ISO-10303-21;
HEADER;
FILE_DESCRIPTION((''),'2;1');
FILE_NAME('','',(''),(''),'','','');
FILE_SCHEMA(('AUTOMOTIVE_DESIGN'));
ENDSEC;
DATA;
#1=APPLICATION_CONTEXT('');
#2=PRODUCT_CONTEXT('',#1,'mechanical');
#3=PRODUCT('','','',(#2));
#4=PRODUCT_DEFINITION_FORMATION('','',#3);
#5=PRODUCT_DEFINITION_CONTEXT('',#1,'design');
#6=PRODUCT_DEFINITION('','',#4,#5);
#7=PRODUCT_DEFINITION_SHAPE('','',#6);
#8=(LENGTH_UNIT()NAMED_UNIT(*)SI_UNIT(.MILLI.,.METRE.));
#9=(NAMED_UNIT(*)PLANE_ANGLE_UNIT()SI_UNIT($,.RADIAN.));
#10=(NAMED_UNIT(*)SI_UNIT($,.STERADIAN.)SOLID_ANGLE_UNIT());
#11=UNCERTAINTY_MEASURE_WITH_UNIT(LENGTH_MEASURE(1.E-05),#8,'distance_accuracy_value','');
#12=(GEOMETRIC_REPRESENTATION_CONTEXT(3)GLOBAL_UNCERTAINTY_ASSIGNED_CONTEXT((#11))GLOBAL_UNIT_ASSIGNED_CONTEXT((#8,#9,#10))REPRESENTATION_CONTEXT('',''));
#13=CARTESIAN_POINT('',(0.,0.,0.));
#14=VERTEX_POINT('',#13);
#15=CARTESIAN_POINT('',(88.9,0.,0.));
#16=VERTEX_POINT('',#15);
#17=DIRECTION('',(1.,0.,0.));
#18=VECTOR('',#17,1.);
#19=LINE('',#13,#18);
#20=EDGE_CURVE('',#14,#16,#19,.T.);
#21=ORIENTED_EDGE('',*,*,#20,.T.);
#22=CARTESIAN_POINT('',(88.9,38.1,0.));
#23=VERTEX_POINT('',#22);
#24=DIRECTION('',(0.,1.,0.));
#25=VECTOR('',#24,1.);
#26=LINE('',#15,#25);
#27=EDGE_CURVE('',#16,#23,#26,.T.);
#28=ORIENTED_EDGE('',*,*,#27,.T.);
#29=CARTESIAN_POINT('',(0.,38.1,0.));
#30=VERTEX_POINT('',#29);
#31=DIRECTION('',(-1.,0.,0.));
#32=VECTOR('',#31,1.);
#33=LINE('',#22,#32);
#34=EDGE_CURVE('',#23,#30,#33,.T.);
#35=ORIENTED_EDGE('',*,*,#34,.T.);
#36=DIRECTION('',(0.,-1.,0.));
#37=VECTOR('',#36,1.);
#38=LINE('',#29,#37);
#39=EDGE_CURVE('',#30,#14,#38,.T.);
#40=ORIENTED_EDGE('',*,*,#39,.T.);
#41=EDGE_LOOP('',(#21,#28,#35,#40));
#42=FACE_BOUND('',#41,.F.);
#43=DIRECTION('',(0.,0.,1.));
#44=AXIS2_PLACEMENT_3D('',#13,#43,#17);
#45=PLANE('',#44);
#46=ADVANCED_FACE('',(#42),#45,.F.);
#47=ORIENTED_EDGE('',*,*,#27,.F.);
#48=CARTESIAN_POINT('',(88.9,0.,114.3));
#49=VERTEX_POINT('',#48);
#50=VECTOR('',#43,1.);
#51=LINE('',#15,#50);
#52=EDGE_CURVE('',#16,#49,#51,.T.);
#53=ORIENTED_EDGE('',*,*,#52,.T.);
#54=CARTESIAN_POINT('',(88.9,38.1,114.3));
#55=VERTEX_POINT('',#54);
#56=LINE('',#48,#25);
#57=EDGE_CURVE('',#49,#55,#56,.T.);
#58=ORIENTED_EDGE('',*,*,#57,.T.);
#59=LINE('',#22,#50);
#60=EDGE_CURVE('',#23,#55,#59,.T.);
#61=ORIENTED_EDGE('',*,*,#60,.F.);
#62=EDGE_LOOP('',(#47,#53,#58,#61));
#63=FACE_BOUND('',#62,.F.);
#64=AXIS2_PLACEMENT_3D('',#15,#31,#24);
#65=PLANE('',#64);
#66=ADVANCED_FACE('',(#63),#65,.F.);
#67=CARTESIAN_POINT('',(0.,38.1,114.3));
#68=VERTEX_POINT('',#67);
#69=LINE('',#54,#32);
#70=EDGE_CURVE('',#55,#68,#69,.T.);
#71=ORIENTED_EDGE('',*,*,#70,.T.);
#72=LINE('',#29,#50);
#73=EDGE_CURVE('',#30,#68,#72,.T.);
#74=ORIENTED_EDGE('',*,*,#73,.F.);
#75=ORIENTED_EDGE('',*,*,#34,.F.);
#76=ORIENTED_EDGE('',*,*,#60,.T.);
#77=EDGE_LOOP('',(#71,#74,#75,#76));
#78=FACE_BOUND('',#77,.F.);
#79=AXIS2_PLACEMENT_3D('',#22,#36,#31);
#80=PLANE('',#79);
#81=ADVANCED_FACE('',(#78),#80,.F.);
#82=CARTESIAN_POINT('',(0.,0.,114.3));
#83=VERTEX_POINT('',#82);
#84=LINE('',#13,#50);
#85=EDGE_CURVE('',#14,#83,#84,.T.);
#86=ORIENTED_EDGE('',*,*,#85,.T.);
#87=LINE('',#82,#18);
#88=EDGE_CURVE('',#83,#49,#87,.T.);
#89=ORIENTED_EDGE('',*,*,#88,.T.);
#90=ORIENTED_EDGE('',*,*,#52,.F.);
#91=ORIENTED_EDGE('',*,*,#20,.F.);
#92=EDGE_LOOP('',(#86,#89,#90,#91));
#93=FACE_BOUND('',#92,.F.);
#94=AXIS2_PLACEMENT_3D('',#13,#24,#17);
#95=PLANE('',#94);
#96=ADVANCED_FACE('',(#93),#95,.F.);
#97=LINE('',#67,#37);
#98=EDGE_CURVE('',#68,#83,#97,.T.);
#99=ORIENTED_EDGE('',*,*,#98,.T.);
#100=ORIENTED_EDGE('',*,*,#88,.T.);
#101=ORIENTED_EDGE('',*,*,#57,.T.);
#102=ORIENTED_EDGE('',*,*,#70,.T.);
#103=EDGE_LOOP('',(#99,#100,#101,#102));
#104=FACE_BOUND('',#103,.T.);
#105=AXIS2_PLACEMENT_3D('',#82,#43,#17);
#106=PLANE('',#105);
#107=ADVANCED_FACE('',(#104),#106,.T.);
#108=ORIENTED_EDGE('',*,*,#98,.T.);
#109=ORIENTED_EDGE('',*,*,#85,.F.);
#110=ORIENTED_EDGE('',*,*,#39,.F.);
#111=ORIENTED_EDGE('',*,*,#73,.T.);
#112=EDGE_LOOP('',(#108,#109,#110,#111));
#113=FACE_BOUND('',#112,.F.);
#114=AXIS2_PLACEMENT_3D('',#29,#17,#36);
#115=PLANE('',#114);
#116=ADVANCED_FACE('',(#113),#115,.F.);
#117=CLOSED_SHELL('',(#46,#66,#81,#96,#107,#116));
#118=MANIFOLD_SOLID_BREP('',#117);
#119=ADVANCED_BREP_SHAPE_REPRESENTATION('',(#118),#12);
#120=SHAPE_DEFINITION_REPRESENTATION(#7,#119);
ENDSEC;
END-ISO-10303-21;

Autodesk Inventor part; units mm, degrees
ref_plane "YZ Plane" through (0, 0, 0) normal (1, 0, 0) x (0, 1, 0)
ref_plane "XZ Plane" through (0, 0, 0) normal (0, 1, 0) x (-1, 0, 0)
ref_plane "XY Plane" through (0, 0, 0) normal (0, 0, 1) x (1, 0, 0)
sketch "Sketch1" plane through (0, 0, 0) normal (0, 0, 1) x (1, 0, 0)
  line L0 (0, 0) -> (88.9, 0)
  line L1 (88.9, 0) -> (88.9, 38.1)
  line L2 (88.9, 38.1) -> (0, 38.1)
  line L3 (0, 38.1) -> (0, 0)
  dimension "d0" = 88.9
  dimension "d1" = 38.1
extrude "Extrusion1" add sketch "Sketch1" along normal blind 114.3
properties part number "BO02" material "Wood (Oak)"
